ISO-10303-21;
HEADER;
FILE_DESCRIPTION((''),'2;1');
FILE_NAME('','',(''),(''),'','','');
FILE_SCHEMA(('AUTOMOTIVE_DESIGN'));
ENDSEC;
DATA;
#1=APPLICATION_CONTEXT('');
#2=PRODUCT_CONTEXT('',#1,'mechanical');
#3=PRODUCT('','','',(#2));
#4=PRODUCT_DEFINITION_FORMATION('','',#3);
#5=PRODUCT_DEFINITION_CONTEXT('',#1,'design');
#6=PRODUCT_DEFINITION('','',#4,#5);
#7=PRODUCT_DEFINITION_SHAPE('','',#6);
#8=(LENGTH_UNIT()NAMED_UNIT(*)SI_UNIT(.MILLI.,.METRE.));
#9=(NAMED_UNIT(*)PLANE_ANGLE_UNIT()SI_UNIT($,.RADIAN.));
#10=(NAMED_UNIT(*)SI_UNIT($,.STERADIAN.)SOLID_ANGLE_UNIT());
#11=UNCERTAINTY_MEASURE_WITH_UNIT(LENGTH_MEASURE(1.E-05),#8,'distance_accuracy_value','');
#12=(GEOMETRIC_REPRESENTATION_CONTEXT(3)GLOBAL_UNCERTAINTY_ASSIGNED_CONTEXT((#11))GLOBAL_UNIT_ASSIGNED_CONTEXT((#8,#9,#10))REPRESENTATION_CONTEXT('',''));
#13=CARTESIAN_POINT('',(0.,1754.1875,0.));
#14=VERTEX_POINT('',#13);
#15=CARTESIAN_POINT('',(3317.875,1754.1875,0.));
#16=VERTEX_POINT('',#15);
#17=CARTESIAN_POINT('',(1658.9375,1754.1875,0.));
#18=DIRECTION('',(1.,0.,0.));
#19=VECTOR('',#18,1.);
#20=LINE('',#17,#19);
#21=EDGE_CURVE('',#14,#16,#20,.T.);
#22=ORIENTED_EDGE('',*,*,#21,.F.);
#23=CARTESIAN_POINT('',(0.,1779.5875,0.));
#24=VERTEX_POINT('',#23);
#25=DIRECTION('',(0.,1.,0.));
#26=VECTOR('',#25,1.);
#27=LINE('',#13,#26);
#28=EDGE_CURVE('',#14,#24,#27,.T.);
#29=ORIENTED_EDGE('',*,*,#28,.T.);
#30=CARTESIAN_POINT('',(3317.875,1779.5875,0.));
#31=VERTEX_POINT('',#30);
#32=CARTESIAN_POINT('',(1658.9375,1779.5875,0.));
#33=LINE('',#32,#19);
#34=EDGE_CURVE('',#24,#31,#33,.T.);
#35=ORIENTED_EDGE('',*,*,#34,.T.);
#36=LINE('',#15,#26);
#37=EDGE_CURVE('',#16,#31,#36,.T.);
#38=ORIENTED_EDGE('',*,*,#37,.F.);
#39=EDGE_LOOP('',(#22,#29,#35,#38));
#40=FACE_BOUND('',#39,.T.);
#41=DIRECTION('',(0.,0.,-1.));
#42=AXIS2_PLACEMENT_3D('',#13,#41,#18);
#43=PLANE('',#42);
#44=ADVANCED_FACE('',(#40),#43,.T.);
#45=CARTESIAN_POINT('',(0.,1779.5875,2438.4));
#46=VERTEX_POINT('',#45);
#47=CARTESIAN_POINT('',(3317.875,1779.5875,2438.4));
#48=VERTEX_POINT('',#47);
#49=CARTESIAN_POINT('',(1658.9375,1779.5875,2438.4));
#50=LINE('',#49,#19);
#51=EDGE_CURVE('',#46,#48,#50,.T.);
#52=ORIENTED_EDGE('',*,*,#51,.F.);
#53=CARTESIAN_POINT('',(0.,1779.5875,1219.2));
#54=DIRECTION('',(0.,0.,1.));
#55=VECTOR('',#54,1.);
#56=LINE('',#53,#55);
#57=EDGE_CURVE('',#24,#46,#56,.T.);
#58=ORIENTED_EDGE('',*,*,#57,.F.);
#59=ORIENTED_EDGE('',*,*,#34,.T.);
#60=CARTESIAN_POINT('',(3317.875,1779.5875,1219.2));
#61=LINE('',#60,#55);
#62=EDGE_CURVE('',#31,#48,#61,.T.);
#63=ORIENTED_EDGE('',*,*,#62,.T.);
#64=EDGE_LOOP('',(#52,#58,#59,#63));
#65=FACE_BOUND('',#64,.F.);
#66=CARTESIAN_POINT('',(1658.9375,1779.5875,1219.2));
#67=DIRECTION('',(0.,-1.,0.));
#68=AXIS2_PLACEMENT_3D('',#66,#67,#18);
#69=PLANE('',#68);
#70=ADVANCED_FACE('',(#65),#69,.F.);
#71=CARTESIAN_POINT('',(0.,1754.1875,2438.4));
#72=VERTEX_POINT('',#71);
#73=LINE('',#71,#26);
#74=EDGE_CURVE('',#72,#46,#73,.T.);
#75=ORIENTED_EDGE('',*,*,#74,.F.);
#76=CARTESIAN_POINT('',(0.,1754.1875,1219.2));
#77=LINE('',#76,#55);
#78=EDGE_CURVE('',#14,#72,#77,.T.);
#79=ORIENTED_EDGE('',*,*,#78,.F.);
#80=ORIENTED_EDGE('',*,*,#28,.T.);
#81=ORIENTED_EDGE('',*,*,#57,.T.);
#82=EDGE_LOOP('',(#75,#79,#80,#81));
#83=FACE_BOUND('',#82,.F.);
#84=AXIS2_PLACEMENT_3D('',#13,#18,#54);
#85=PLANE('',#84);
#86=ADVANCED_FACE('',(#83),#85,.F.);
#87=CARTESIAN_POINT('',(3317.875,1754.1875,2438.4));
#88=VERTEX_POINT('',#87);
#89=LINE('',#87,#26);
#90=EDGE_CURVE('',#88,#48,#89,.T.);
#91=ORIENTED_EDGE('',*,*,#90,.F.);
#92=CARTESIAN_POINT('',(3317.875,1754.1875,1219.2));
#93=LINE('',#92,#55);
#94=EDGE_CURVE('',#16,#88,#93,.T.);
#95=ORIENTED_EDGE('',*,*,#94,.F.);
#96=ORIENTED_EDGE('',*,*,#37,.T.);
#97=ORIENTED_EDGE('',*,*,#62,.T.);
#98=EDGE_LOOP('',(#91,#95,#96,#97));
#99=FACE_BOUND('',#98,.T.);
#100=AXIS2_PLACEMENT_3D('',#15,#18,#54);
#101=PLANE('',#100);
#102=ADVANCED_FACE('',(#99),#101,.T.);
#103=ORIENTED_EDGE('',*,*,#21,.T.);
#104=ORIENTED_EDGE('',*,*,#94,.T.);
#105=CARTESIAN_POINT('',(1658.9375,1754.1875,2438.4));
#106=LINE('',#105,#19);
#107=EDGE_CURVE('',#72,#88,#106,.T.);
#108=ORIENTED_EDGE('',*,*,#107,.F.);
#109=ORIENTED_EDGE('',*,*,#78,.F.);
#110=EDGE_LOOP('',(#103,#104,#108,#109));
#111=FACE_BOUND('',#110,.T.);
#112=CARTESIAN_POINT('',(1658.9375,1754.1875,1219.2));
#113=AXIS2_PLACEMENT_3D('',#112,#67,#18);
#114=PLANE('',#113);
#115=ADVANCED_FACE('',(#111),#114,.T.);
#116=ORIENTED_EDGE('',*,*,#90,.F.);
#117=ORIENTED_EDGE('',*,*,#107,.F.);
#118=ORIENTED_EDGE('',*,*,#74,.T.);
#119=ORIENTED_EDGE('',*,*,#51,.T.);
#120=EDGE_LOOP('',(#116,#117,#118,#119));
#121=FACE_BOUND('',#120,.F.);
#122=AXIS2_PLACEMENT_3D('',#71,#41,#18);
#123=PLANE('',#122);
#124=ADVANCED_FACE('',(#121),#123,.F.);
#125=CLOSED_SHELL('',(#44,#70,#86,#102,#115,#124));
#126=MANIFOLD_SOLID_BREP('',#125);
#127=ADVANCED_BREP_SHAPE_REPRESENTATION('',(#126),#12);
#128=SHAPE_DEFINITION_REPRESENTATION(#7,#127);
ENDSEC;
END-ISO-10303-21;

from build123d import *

# Parameters (mm, degrees)
F3_W     = 3317.875
F3_H     = 2438.4
F4_DEPTH = 25.4


with BuildPart() as f4:
    # F3 (on plane+point) → F4 (new body)
    with BuildSketch(Plane.XZ.offset(-1754.1875)):
        with Locations((1658.9375, 1219.2)):
            Rectangle(F3_W, F3_H)
    extrude(amount=-F4_DEPTH)


solid = f4.part
